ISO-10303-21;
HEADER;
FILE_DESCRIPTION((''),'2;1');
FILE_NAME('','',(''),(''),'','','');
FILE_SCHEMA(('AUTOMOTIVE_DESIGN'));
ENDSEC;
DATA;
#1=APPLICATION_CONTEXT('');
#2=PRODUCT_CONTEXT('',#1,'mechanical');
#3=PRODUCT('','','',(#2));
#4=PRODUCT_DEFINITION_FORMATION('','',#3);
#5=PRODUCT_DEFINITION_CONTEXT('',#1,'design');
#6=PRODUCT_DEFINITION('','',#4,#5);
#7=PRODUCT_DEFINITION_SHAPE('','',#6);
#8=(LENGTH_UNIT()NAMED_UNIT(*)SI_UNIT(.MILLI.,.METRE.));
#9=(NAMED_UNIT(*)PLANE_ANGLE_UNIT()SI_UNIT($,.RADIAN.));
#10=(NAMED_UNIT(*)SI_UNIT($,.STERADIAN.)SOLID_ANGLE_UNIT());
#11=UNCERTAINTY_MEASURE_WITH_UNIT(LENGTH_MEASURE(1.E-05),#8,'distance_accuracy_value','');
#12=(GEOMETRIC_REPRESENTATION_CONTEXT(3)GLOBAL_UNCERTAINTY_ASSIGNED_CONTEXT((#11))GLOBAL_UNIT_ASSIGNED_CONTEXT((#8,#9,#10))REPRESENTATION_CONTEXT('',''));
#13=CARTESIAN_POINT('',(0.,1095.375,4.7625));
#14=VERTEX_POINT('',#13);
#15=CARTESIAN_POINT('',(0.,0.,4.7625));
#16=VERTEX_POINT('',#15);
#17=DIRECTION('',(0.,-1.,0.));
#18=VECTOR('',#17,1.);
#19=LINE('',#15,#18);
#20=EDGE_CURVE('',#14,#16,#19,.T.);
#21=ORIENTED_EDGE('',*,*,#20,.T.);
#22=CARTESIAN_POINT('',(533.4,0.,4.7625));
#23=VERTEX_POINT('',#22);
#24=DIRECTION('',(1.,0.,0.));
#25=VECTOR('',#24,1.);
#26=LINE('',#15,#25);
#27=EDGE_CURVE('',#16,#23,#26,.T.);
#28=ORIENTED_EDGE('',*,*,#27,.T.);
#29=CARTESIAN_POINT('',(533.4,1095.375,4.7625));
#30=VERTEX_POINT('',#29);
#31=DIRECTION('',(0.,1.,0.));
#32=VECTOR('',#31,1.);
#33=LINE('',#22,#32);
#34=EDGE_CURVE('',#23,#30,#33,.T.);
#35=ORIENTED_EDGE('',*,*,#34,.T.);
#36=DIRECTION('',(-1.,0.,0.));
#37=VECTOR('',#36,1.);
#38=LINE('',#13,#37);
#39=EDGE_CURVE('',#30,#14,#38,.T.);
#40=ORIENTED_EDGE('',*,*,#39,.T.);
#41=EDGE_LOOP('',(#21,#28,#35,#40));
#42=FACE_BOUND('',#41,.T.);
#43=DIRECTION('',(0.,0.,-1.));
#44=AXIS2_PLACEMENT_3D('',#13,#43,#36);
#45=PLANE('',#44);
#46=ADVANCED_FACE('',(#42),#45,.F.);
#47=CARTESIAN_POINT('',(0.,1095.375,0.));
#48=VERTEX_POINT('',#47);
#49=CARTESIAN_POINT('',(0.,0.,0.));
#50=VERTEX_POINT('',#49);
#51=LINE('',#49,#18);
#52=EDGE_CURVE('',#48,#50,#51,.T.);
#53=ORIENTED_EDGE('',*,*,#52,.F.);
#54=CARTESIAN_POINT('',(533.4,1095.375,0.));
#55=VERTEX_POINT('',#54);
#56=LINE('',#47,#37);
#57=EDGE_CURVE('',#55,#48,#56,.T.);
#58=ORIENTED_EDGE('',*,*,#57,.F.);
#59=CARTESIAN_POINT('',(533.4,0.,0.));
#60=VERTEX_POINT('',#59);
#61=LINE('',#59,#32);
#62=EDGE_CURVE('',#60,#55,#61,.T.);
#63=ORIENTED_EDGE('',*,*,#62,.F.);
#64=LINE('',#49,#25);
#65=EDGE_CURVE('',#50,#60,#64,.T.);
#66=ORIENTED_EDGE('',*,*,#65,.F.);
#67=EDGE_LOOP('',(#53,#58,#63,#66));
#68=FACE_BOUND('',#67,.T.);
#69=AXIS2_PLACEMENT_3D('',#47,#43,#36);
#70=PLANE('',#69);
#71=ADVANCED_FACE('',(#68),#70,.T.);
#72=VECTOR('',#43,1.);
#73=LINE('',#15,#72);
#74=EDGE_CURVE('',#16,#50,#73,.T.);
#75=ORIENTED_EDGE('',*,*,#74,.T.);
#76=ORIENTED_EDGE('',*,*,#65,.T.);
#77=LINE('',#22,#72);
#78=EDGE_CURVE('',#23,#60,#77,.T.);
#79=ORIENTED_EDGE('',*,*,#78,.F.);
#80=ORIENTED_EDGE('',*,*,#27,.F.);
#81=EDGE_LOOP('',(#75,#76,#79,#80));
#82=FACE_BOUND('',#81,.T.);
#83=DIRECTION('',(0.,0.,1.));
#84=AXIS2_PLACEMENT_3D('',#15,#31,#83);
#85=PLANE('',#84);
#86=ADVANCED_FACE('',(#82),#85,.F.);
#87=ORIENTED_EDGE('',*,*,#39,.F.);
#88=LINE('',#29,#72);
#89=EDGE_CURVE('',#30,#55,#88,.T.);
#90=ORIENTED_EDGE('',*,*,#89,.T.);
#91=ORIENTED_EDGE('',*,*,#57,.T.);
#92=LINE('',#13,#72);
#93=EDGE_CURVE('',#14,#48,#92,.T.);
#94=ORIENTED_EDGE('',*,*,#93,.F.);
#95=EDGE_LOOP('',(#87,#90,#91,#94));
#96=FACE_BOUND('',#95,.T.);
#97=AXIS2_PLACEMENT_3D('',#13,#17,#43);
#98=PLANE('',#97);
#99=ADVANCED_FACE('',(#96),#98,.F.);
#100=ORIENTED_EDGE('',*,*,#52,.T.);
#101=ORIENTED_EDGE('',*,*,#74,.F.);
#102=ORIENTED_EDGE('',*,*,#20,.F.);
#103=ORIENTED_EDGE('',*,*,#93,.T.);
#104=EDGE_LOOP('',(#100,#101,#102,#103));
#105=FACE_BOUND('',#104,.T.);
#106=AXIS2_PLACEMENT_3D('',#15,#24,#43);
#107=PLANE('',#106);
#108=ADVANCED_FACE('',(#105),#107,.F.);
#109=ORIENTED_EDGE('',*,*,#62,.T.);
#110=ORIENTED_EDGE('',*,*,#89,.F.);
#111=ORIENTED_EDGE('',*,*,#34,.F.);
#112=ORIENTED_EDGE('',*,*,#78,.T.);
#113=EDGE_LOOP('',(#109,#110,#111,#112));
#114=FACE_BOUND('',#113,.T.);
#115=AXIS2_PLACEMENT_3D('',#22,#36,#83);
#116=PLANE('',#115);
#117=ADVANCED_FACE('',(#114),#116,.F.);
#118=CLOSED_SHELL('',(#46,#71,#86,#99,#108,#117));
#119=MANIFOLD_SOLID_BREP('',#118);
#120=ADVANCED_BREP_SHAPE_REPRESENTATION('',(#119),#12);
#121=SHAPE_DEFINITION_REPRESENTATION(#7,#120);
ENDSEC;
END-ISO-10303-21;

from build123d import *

# Parameters (mm, degrees)
SKETCH1_W      = 533.4
SKETCH1_H      = 1095.375
EXTRUDE1_DEPTH = 4.7625


with BuildPart() as part:
    # Sketch1 → Extrude1 (new body)
    with BuildSketch(Plane.XY):
        with Locations((266.7, 547.6875)):
            Rectangle(SKETCH1_W, SKETCH1_H)
    extrude(amount=EXTRUDE1_DEPTH)


solid = part.part
